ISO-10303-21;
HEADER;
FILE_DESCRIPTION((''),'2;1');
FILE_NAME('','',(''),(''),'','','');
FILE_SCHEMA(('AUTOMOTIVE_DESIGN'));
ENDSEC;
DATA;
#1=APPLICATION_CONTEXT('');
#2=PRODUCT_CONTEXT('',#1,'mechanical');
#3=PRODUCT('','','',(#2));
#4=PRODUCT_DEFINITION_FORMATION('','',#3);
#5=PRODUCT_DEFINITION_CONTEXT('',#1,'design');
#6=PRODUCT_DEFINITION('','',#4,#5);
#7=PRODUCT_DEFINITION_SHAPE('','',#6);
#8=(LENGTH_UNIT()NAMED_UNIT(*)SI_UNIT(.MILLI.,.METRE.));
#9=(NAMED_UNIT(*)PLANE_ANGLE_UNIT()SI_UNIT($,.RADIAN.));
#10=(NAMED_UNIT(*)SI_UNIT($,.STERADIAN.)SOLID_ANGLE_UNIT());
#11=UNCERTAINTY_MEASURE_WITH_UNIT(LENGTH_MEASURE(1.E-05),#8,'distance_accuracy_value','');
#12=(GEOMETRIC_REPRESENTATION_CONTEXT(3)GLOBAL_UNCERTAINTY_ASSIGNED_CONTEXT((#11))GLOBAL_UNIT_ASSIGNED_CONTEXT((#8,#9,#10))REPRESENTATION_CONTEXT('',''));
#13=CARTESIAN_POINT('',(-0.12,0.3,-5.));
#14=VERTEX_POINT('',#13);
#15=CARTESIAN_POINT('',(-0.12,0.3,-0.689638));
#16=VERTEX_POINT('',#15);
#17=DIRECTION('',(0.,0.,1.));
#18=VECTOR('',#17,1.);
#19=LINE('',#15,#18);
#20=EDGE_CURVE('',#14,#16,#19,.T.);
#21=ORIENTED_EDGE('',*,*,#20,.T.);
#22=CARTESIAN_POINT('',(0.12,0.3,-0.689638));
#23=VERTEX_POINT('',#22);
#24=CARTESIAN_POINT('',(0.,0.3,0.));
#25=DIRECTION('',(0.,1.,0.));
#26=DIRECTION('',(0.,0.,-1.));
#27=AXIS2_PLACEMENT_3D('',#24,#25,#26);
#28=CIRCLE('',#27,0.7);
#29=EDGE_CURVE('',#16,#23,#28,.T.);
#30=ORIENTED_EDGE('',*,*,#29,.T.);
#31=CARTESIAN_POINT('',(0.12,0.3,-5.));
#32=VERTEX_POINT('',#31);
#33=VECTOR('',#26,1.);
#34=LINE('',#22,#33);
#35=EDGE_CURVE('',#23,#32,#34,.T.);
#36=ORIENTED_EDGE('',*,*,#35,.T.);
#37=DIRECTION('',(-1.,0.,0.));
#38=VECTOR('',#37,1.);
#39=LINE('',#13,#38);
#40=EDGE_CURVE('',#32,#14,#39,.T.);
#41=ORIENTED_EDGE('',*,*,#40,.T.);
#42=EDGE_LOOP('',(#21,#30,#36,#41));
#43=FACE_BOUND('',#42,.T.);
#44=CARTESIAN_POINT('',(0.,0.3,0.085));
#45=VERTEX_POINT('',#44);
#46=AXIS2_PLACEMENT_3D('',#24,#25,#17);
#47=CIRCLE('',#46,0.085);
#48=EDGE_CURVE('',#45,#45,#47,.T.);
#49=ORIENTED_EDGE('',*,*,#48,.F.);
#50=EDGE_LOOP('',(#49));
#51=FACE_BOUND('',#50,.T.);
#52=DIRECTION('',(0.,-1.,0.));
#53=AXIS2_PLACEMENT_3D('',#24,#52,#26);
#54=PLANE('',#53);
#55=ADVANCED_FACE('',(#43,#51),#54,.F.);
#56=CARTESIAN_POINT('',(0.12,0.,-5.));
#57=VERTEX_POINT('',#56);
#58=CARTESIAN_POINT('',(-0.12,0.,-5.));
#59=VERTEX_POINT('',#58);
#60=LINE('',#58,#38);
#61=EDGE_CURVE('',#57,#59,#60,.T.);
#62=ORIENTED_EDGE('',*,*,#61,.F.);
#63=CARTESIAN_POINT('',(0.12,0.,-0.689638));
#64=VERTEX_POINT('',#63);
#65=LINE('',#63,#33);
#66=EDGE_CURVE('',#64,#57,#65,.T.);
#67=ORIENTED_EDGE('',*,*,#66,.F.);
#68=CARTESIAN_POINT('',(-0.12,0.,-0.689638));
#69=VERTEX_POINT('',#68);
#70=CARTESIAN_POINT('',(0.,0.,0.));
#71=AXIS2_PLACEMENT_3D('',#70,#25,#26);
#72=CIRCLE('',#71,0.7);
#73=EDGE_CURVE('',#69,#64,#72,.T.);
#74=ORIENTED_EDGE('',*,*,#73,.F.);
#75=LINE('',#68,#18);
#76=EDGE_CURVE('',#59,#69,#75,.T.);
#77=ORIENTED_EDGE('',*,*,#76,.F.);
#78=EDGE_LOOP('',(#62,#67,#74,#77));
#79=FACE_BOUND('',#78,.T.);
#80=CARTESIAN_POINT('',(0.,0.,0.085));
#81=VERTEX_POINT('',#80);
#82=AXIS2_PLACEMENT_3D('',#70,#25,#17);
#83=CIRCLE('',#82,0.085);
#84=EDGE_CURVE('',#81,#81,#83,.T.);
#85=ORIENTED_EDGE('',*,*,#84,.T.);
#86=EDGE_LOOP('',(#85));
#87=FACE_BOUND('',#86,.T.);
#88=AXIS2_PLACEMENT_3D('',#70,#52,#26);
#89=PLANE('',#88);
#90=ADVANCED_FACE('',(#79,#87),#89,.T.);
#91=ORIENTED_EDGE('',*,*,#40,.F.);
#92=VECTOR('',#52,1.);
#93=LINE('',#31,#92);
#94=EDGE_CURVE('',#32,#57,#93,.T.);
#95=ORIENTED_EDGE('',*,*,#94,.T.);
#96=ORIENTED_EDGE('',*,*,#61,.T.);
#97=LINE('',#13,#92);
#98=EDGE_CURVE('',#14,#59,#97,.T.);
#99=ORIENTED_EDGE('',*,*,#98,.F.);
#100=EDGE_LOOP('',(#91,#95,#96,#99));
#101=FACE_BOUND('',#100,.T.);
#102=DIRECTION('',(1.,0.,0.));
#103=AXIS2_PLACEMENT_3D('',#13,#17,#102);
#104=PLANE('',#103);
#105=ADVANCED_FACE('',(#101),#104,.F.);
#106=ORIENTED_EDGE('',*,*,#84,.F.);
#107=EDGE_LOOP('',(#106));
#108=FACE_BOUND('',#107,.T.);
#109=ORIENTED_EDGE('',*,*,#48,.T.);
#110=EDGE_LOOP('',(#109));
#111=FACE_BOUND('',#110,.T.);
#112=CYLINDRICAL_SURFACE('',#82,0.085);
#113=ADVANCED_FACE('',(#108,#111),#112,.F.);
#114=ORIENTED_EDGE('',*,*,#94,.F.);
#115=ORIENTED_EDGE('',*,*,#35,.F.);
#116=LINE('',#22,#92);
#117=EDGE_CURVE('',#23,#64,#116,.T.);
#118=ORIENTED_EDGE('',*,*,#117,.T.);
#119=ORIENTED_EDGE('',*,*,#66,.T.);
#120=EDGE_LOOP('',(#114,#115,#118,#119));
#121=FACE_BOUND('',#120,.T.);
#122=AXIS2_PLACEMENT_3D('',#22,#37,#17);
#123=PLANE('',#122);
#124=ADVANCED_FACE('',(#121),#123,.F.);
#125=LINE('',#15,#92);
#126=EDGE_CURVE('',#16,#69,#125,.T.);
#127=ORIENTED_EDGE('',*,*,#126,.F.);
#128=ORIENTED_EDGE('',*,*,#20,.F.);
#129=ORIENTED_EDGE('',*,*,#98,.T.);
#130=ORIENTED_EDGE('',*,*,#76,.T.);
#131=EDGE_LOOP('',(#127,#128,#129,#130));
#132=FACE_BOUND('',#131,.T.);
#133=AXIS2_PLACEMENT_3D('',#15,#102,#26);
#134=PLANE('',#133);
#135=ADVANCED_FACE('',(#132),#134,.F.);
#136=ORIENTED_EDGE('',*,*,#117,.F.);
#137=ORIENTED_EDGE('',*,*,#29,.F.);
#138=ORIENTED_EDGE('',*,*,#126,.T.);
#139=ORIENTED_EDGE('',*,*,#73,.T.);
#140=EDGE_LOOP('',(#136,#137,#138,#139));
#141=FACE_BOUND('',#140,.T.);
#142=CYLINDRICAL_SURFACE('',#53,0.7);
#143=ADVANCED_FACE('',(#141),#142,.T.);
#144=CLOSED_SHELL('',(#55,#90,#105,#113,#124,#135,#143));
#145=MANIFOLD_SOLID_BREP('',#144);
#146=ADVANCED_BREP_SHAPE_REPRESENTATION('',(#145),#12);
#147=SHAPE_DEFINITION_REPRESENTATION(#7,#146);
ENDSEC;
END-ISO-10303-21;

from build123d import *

# Parameters (mm, degrees)
BOSS_EXTRUDE1_DEPTH = 0.3
SKETCH3_R           = 0.085
CUT_EXTRUDE1_DEPTH  = 0.3


with BuildPart() as part:
    # Sketch2 → Boss-Extrude1 (new body)
    with BuildSketch(Plane(origin=(0, 0, 0), x_dir=(1, 0, 0), z_dir=(0, 1, 0))):
        with BuildLine():
            Line((0.12, 0.689637586), (0.12, 5))
            Line((0.12, 5), (-0.12, 5))
            Line((-0.12, 5), (-0.12, 0.689637586))
            ThreePointArc((-0.12, 0.689637586), (0, -0.7), (0.12, 0.689637586))
        make_face()
    extrude(amount=BOSS_EXTRUDE1_DEPTH)

    # Sketch3 → Cut-Extrude1 (cut)
    with BuildSketch(Plane(origin=(0, 0.3, 0), x_dir=(1, 0, 0), z_dir=(0, 1, 0))):
        with Locations(Location((0, 0, 0), (0, 0, 270))):
            Circle(SKETCH3_R)
    extrude(amount=-CUT_EXTRUDE1_DEPTH, mode=Mode.SUBTRACT)


solid = part.part
